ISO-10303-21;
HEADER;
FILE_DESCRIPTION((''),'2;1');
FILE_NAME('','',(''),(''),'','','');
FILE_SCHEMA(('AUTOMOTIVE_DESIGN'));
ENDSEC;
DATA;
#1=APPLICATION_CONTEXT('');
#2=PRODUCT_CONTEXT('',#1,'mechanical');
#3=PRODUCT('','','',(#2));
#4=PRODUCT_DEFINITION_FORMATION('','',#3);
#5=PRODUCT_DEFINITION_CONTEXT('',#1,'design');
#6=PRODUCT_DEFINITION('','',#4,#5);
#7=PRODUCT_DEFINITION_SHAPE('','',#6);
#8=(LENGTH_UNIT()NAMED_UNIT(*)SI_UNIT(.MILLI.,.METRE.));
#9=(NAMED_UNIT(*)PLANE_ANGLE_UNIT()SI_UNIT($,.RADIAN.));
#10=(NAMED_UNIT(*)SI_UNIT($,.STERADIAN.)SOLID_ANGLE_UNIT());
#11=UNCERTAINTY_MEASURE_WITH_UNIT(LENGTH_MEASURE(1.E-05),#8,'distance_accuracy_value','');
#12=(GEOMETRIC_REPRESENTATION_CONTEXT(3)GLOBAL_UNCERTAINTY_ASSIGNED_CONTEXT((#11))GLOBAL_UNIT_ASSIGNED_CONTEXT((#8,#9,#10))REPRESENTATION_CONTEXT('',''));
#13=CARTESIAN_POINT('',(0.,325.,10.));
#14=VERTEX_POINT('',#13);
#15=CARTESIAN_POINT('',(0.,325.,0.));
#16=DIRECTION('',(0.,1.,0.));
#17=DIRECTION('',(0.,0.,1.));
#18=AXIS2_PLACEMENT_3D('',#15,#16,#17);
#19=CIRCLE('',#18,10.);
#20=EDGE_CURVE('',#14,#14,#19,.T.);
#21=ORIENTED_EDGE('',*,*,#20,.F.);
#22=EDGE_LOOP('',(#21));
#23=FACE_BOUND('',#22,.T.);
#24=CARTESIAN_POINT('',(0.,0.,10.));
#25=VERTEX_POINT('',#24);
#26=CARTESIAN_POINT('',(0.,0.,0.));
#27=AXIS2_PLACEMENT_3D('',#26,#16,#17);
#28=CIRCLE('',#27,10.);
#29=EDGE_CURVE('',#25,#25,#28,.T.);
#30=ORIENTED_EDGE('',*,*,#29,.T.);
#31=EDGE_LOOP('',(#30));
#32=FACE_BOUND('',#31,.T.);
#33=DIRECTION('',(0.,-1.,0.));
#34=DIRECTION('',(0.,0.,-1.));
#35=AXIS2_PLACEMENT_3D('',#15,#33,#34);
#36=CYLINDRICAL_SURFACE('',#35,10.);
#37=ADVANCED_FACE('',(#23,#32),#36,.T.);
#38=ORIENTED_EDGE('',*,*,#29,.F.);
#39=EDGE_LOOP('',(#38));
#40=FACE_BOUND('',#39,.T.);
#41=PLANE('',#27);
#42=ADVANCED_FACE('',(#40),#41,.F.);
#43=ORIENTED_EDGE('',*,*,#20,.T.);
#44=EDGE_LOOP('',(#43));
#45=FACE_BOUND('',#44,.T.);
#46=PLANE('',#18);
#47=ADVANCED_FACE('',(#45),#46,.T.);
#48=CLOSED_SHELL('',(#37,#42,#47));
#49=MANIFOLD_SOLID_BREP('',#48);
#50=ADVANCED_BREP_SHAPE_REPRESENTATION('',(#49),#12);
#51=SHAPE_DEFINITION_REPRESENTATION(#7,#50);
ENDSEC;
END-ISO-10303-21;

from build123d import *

# Parameters (mm, degrees)
ESBO_O1_R                = 10
RESSALTO_EXTRUS_O1_DEPTH = 325


with BuildPart() as part:
    # Esboço1 → Ressalto-extrusão1 (new body)
    with BuildSketch(Plane(origin=(0, 0, 0), x_dir=(1, 0, 0), z_dir=(0, 1, 0))):
        with Locations(Location((0, 0, 0), (0, 0, 270))):
            Circle(ESBO_O1_R)
    extrude(amount=RESSALTO_EXTRUS_O1_DEPTH)


solid = part.part
